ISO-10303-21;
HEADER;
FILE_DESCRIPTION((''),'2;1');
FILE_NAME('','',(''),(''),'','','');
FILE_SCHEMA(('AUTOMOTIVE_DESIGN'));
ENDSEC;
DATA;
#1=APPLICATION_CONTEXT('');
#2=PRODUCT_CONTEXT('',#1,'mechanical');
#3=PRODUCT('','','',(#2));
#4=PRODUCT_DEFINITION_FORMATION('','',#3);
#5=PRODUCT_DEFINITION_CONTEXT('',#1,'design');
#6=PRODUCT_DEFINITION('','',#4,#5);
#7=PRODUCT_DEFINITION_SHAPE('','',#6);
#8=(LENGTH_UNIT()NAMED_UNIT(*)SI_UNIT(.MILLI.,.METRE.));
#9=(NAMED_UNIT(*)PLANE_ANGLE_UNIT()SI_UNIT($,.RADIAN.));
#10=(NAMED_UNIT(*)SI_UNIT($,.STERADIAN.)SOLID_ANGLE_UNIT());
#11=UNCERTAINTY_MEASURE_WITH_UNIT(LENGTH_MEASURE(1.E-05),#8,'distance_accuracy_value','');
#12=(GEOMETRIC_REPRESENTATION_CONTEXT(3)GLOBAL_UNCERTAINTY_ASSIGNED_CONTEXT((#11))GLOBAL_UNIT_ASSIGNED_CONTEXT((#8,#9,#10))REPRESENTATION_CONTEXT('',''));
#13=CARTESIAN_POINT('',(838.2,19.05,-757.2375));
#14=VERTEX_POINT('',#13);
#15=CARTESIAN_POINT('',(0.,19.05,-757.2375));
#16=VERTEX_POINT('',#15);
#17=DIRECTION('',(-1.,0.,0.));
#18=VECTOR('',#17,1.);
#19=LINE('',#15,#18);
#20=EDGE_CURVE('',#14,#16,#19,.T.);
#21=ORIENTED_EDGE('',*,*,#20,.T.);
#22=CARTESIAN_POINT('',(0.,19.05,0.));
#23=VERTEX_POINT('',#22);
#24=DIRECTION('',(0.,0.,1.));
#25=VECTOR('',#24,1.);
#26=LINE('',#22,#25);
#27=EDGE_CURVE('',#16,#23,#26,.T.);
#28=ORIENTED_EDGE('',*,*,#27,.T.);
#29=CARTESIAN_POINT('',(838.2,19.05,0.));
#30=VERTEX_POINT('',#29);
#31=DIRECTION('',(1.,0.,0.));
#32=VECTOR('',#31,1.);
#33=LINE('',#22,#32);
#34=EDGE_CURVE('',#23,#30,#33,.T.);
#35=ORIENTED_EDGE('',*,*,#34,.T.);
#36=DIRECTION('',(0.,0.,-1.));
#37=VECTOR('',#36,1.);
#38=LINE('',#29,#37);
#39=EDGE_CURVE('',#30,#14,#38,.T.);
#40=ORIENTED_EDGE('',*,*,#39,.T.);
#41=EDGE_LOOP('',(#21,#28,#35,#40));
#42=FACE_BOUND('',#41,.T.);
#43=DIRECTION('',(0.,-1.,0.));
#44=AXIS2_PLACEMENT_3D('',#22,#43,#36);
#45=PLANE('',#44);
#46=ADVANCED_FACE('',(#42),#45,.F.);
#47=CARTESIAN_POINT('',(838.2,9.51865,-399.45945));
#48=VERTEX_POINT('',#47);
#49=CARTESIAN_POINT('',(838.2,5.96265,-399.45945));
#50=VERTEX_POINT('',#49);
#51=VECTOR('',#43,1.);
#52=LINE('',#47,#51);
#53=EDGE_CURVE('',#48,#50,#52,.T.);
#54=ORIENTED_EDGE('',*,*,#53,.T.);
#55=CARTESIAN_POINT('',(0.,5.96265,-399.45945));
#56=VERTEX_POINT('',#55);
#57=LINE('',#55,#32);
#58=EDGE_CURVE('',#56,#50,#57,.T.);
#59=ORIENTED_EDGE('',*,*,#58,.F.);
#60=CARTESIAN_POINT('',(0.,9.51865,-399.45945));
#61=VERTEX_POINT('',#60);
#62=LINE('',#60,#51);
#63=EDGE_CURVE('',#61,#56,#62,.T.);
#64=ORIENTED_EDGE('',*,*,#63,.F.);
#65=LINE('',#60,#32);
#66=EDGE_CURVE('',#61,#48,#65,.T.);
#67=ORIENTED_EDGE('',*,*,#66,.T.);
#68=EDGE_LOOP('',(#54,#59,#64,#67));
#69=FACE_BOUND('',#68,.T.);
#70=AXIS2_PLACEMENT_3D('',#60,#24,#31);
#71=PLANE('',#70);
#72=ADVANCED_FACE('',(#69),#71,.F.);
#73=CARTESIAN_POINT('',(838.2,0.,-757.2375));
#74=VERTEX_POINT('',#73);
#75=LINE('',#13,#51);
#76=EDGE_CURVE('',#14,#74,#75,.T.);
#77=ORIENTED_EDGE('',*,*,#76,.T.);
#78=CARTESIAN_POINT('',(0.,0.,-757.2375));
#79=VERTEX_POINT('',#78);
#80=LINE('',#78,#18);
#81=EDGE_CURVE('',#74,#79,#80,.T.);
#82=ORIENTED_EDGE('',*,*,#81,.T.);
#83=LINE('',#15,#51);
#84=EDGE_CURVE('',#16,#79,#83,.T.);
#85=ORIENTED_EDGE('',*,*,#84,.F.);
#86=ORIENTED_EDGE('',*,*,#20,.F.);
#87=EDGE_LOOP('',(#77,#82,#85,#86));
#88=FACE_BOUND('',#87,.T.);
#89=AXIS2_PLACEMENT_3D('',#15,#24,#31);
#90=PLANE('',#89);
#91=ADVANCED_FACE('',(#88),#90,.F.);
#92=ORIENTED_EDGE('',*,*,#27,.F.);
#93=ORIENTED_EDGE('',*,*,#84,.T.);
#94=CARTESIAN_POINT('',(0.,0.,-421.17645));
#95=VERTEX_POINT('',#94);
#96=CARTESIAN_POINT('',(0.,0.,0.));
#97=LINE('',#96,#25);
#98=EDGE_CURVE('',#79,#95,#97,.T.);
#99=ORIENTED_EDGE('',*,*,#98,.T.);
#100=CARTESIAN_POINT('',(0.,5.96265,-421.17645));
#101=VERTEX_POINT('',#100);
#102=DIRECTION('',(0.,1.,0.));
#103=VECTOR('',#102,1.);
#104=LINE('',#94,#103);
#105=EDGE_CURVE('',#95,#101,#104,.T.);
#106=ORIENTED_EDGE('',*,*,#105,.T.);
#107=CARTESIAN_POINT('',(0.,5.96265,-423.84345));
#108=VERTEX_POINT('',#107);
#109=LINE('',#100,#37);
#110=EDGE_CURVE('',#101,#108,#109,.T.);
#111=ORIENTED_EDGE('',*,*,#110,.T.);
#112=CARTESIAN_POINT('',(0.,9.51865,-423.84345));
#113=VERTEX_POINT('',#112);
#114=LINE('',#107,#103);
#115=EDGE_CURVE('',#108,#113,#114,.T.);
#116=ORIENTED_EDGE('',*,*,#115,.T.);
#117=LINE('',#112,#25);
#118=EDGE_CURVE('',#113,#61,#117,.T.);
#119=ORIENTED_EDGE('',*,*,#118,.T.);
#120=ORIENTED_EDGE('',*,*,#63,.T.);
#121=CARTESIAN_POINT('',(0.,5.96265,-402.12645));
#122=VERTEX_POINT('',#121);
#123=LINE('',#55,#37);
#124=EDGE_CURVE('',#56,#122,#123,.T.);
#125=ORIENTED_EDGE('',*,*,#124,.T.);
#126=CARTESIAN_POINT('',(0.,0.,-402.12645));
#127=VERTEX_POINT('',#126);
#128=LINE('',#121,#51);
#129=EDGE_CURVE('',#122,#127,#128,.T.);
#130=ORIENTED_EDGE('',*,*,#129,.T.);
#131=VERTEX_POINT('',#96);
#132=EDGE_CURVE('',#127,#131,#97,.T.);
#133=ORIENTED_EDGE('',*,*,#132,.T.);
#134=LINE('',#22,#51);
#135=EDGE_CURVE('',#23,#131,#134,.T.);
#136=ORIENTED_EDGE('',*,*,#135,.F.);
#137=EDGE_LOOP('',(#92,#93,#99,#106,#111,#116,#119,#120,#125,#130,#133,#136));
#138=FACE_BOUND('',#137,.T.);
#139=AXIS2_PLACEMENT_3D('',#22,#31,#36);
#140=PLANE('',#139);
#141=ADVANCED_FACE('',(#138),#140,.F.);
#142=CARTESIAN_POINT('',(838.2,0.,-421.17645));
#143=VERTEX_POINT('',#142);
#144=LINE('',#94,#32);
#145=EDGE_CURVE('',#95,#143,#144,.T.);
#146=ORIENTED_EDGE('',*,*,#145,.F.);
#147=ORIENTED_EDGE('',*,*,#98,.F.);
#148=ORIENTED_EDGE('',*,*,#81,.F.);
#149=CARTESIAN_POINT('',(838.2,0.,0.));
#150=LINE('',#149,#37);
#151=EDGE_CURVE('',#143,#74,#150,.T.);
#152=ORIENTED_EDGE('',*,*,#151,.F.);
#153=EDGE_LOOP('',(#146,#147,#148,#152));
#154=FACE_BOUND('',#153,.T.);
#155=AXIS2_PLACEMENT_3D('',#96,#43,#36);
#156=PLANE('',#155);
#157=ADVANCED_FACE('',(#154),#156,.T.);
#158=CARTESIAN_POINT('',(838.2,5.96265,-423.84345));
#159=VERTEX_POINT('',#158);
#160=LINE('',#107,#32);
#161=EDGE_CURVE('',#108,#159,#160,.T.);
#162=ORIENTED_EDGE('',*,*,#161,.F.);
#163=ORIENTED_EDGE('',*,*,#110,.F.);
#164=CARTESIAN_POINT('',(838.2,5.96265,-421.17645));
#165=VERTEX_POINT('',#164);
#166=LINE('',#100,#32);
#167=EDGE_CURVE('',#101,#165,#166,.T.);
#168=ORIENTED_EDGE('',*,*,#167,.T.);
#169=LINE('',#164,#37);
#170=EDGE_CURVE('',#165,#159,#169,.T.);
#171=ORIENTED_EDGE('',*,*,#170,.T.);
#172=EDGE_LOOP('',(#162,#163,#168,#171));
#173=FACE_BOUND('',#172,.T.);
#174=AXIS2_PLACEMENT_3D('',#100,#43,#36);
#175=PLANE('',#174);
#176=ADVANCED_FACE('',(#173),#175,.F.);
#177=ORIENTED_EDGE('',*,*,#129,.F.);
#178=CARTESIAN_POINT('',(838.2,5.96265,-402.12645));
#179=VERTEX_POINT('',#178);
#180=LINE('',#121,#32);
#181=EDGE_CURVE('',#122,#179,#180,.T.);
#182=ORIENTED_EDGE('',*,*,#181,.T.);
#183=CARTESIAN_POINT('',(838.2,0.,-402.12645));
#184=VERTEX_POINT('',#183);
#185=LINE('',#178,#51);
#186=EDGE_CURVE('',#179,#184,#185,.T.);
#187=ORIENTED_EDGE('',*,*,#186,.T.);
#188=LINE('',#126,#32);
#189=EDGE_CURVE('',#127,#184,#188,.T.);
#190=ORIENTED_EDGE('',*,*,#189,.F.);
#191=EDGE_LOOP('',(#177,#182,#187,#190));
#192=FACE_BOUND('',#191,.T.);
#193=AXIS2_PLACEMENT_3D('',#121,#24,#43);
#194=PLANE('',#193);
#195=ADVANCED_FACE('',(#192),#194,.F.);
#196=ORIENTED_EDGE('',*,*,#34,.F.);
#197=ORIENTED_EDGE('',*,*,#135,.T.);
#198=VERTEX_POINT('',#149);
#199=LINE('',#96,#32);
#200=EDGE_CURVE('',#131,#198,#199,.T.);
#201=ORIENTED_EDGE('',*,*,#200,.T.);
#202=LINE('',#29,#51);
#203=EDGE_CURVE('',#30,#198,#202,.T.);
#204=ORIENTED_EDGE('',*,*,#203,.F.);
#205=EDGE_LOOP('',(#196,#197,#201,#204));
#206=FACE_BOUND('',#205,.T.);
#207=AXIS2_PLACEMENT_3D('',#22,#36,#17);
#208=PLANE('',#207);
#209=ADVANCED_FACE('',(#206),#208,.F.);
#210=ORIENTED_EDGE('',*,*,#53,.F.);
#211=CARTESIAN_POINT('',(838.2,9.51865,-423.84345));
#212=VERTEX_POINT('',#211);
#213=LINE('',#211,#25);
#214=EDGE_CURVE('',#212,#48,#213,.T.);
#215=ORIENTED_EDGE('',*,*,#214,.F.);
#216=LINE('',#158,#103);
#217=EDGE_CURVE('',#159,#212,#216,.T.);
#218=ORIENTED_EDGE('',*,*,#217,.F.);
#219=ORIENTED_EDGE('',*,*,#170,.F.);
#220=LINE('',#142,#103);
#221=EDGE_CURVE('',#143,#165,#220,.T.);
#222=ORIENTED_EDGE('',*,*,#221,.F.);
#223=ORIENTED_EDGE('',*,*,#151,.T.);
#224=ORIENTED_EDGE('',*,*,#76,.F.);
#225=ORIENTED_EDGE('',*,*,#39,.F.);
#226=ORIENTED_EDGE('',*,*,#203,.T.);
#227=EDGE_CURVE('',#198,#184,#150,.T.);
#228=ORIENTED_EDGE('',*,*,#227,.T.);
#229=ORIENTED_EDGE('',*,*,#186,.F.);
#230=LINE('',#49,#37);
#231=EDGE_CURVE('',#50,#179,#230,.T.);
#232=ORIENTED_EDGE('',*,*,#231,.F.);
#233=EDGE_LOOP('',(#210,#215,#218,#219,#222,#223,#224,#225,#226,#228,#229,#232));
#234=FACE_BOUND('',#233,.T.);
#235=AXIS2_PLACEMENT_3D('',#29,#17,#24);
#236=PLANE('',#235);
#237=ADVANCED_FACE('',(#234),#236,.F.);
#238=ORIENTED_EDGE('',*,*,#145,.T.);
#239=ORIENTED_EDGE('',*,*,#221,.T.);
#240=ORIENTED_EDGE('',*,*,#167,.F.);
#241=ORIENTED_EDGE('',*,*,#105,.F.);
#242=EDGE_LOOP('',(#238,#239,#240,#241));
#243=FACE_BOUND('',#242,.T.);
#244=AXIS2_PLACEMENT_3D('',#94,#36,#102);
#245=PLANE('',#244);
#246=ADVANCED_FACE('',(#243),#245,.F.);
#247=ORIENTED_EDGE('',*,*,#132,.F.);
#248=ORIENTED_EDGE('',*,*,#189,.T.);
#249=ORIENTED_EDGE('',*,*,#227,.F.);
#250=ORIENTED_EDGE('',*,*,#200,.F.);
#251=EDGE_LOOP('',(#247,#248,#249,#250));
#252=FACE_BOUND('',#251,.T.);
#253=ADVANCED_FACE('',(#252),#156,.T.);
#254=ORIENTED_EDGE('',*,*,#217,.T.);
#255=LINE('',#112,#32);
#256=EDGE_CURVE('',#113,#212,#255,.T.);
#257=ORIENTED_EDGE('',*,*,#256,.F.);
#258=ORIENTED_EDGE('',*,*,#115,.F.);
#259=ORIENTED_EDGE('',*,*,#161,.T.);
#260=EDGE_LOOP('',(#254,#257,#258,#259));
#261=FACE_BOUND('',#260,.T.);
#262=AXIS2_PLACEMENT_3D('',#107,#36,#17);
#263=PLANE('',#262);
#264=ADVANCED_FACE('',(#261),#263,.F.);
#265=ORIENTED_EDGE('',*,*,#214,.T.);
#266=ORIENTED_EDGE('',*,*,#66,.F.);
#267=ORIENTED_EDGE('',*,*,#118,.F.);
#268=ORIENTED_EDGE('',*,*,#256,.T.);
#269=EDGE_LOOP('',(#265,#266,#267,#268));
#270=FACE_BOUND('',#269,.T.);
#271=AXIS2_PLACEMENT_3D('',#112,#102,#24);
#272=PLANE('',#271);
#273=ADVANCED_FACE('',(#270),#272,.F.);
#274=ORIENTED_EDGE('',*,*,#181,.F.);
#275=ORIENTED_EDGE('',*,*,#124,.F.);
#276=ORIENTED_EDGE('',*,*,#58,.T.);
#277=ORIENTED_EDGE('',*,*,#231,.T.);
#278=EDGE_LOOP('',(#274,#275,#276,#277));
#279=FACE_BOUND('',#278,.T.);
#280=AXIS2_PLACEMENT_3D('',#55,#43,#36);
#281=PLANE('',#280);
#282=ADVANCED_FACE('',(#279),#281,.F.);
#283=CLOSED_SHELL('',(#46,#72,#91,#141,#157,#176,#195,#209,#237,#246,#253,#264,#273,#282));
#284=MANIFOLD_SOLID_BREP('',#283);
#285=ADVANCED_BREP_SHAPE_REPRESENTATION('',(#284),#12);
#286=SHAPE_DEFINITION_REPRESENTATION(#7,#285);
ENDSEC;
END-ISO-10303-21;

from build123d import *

# Parameters (mm, degrees)
SKETCH1_W           = 838.2
SKETCH1_H           = 757.2375
BOSS_EXTRUDE1_DEPTH = 19.05
CUT_EXTRUDE1_DEPTH  = 839.2


with BuildPart() as part:
    # Sketch1 → Boss-Extrude1 (new body)
    with BuildSketch(Plane(origin=(0, 0, 0), x_dir=(1, 0, 0), z_dir=(0, 1, 0))):
        with Locations((419.1, 378.61875)):
            Rectangle(SKETCH1_W, SKETCH1_H)
    extrude(amount=BOSS_EXTRUDE1_DEPTH)

    # Sketch3 → Cut-Extrude1 (cut, through all)
    with BuildSketch(Plane(origin=(838.2, 0, 0), x_dir=(0, 0, -1), z_dir=(1, 0, 0))):
        Polygon((421.17645, 0), (421.17645, 5.96265), (423.84345, 5.96265), (423.84345, 9.51865), (399.45945, 9.51865), (399.45945, 5.96265), (402.12645, 5.96265), (402.12645, 0), align=None)
    extrude(amount=-CUT_EXTRUDE1_DEPTH, mode=Mode.SUBTRACT)


solid = part.part
